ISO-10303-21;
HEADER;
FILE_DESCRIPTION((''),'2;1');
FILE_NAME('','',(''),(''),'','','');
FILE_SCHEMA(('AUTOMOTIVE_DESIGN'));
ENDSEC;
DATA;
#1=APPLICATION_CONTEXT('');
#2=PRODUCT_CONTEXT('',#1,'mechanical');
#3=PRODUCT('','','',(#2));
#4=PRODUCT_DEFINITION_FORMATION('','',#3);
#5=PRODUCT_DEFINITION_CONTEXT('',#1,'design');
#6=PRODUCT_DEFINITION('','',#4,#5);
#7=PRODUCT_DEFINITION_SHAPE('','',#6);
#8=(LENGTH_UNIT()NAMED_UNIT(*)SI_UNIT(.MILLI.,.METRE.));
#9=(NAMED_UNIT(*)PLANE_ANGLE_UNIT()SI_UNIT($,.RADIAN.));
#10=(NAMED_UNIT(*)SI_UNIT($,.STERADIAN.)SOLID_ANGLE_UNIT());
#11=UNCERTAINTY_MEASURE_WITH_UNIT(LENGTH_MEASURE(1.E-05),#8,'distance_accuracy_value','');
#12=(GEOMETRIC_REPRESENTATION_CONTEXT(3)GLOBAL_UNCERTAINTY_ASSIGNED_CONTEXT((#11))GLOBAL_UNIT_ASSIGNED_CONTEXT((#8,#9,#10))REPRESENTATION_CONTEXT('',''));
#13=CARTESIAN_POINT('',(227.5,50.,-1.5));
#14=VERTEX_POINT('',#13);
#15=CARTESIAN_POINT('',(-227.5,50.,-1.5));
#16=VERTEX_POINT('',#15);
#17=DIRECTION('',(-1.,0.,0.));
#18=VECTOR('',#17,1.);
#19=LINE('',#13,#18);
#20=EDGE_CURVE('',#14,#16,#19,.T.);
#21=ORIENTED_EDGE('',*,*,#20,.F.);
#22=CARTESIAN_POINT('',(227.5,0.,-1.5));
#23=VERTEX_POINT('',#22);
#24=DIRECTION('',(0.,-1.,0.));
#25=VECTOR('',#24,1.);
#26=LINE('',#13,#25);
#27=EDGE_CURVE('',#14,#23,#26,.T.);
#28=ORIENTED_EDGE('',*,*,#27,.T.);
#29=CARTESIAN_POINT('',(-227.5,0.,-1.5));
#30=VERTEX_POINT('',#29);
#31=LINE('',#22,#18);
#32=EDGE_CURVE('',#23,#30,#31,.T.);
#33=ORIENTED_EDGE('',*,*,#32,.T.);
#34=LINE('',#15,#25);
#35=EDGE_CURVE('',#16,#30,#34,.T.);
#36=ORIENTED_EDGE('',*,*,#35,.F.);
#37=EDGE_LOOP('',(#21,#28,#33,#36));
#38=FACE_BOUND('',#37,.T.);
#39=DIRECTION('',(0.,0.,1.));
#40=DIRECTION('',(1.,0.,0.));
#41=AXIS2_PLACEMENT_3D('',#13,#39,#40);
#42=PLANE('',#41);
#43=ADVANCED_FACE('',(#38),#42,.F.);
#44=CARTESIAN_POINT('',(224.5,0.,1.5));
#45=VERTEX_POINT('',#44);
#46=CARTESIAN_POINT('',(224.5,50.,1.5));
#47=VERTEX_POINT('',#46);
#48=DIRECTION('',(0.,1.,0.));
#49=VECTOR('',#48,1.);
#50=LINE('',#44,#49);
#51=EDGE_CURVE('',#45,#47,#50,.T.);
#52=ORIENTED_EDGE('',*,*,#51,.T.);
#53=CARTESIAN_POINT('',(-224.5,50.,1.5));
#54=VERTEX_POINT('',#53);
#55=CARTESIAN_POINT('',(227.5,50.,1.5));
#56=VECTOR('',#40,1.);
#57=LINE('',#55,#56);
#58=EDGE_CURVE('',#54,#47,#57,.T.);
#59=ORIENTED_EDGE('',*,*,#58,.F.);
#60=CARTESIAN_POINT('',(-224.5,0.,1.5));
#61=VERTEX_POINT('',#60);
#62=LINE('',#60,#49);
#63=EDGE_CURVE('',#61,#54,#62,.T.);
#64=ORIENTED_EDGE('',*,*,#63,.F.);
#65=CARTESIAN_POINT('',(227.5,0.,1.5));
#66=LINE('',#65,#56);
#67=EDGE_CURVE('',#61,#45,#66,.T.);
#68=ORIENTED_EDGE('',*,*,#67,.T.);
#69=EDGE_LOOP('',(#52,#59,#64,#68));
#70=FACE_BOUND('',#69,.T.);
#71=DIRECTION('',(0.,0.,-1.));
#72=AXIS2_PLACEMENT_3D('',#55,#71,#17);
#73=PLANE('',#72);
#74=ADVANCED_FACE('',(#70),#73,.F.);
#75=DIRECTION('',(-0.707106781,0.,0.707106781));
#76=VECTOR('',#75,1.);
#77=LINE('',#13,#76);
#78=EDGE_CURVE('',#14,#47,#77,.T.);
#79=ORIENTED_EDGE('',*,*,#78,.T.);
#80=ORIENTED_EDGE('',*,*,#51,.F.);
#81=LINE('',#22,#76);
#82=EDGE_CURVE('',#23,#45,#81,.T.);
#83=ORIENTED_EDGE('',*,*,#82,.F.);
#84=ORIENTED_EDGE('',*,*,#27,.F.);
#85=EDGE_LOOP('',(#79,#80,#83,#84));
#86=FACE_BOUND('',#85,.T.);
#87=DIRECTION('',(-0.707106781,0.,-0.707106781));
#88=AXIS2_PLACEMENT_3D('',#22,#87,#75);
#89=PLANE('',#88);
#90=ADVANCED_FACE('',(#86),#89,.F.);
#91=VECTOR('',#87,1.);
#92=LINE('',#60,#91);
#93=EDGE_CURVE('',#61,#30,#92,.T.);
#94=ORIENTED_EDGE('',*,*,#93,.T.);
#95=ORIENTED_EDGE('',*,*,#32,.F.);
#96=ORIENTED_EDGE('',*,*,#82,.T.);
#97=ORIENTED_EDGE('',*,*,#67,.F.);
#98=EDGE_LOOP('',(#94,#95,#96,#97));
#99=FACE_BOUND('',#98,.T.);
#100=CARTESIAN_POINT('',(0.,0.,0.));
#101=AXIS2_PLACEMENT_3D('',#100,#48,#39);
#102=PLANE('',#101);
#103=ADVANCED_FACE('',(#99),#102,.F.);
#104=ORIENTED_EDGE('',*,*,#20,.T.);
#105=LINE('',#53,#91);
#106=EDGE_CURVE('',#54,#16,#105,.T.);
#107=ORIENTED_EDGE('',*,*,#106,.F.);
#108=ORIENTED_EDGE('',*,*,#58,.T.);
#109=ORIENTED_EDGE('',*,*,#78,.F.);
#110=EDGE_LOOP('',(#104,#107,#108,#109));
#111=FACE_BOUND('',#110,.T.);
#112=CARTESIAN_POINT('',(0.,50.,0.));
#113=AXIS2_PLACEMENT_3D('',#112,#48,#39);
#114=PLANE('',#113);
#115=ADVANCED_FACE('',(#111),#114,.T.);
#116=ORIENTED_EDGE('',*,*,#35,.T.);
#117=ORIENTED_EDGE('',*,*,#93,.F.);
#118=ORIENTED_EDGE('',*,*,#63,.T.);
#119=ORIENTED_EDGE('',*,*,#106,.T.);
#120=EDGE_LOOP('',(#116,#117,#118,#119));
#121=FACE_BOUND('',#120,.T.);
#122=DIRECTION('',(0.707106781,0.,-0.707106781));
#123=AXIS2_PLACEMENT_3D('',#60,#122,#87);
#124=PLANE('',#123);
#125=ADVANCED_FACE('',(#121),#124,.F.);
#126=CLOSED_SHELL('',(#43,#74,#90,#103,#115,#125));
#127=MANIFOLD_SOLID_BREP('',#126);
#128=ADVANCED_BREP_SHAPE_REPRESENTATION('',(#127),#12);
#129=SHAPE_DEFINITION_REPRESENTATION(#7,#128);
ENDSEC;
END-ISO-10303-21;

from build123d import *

# Parameters (mm, degrees)
SKETCH1_W           = 455
SKETCH1_H           = 3
BOSS_EXTRUDE1_DEPTH = 50
CUT_EXTRUDE1_DEPTH  = 233.934540161


with BuildPart() as part:
    # Sketch1 → Boss-Extrude1 (new body)
    with BuildSketch(Plane(origin=(0, 0, 0), x_dir=(1, 0, 0), z_dir=(0, 1, 0))):
        Rectangle(SKETCH1_W, SKETCH1_H)
    extrude(amount=BOSS_EXTRUDE1_DEPTH)

    # Sketch2 → Cut-Extrude1 (cut, through all)
    with BuildSketch(Plane(origin=(0, 50, 0), x_dir=(1, 0, 0), z_dir=(0, 1, 0))):
        Polygon((-227.5, 1.5), (-227.5, -1.5), (-224.5, -1.5), align=None)
        Polygon((227.5, -1.5), (227.5, 1.5), (224.5, -1.5), align=None)
    extrude(amount=-CUT_EXTRUDE1_DEPTH, mode=Mode.SUBTRACT)


solid = part.part
